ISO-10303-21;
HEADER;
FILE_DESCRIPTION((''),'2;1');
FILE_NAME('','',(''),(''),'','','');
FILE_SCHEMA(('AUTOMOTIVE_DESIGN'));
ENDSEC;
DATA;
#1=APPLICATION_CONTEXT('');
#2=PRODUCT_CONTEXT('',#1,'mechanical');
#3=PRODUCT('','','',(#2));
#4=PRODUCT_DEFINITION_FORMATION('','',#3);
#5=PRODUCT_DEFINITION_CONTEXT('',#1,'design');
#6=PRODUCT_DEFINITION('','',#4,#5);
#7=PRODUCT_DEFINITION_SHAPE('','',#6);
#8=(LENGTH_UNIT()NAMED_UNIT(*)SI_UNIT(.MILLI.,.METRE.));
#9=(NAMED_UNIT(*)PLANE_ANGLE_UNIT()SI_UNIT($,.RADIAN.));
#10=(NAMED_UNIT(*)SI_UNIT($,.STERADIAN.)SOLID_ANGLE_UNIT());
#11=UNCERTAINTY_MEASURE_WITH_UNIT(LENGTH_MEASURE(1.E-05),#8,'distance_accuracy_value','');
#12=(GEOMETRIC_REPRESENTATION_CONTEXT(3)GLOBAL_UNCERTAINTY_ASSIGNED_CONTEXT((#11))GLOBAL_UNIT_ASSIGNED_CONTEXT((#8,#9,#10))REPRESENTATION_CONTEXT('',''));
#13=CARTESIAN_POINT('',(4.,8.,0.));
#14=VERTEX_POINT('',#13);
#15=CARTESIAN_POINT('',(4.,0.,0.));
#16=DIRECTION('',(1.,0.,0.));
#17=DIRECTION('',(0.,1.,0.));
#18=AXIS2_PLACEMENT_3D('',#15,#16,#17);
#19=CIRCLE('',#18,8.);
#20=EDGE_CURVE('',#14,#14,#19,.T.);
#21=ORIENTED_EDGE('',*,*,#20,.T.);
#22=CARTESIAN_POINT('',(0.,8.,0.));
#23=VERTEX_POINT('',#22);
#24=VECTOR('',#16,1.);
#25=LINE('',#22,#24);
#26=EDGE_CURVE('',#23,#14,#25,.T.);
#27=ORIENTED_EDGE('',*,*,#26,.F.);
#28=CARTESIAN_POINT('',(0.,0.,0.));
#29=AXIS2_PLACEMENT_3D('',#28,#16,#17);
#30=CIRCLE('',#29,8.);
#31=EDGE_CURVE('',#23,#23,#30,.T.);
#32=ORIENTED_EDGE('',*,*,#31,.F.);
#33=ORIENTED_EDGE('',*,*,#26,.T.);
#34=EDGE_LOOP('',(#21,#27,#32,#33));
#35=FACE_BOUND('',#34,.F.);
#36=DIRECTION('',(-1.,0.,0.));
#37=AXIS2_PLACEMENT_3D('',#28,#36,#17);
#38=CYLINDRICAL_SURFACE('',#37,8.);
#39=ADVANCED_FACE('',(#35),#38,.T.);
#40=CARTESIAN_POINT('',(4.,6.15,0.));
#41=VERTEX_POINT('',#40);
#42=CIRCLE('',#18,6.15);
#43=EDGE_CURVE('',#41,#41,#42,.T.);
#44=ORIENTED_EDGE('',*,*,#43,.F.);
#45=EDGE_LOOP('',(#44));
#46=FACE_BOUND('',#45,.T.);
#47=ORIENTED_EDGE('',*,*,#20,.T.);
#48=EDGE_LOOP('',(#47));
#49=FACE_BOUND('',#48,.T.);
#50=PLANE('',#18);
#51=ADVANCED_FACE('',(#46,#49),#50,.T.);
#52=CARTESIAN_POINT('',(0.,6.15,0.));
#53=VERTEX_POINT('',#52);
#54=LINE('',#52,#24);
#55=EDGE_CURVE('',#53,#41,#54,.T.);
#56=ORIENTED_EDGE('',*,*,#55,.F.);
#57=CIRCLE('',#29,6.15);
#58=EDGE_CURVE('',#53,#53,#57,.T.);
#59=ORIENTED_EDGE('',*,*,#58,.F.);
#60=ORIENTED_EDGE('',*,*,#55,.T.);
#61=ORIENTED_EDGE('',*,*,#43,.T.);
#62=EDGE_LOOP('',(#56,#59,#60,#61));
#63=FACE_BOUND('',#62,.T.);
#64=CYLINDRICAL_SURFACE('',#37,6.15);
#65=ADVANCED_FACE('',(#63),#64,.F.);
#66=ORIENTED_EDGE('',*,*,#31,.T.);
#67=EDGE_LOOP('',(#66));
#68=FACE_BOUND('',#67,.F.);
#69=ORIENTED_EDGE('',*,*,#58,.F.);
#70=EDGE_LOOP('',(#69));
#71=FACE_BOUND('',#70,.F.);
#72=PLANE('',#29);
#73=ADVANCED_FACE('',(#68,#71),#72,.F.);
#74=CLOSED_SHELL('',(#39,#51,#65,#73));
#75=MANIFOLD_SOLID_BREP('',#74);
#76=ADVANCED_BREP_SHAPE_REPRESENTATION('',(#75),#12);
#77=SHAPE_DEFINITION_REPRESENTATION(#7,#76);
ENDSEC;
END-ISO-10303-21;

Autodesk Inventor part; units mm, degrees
ref_plane "YZ Plane" through (0, 0, 0) normal (1, 0, 0) x (0, 1, 0)
ref_plane "XZ Plane" through (0, 0, 0) normal (0, 1, 0) x (-1, 0, 0)
ref_plane "XY Plane" through (0, 0, 0) normal (0, 0, 1) x (1, 0, 0)
sketch "スケッチ1" plane through (0, 0, 0) normal (1, 0, 0) x (0, 1, 0)
  circle A0 centre (0, 0) radius 6.15
  circle A1 centre (0, 0) radius 8
  dimension "d0" = 12.3
  dimension "d1" = 16
extrude "押し出し1" add sketch "スケッチ1" along normal blind 4
properties part number "roller-hand-v2-3DP-shaft-spesa" material "ABS プラスチック"
